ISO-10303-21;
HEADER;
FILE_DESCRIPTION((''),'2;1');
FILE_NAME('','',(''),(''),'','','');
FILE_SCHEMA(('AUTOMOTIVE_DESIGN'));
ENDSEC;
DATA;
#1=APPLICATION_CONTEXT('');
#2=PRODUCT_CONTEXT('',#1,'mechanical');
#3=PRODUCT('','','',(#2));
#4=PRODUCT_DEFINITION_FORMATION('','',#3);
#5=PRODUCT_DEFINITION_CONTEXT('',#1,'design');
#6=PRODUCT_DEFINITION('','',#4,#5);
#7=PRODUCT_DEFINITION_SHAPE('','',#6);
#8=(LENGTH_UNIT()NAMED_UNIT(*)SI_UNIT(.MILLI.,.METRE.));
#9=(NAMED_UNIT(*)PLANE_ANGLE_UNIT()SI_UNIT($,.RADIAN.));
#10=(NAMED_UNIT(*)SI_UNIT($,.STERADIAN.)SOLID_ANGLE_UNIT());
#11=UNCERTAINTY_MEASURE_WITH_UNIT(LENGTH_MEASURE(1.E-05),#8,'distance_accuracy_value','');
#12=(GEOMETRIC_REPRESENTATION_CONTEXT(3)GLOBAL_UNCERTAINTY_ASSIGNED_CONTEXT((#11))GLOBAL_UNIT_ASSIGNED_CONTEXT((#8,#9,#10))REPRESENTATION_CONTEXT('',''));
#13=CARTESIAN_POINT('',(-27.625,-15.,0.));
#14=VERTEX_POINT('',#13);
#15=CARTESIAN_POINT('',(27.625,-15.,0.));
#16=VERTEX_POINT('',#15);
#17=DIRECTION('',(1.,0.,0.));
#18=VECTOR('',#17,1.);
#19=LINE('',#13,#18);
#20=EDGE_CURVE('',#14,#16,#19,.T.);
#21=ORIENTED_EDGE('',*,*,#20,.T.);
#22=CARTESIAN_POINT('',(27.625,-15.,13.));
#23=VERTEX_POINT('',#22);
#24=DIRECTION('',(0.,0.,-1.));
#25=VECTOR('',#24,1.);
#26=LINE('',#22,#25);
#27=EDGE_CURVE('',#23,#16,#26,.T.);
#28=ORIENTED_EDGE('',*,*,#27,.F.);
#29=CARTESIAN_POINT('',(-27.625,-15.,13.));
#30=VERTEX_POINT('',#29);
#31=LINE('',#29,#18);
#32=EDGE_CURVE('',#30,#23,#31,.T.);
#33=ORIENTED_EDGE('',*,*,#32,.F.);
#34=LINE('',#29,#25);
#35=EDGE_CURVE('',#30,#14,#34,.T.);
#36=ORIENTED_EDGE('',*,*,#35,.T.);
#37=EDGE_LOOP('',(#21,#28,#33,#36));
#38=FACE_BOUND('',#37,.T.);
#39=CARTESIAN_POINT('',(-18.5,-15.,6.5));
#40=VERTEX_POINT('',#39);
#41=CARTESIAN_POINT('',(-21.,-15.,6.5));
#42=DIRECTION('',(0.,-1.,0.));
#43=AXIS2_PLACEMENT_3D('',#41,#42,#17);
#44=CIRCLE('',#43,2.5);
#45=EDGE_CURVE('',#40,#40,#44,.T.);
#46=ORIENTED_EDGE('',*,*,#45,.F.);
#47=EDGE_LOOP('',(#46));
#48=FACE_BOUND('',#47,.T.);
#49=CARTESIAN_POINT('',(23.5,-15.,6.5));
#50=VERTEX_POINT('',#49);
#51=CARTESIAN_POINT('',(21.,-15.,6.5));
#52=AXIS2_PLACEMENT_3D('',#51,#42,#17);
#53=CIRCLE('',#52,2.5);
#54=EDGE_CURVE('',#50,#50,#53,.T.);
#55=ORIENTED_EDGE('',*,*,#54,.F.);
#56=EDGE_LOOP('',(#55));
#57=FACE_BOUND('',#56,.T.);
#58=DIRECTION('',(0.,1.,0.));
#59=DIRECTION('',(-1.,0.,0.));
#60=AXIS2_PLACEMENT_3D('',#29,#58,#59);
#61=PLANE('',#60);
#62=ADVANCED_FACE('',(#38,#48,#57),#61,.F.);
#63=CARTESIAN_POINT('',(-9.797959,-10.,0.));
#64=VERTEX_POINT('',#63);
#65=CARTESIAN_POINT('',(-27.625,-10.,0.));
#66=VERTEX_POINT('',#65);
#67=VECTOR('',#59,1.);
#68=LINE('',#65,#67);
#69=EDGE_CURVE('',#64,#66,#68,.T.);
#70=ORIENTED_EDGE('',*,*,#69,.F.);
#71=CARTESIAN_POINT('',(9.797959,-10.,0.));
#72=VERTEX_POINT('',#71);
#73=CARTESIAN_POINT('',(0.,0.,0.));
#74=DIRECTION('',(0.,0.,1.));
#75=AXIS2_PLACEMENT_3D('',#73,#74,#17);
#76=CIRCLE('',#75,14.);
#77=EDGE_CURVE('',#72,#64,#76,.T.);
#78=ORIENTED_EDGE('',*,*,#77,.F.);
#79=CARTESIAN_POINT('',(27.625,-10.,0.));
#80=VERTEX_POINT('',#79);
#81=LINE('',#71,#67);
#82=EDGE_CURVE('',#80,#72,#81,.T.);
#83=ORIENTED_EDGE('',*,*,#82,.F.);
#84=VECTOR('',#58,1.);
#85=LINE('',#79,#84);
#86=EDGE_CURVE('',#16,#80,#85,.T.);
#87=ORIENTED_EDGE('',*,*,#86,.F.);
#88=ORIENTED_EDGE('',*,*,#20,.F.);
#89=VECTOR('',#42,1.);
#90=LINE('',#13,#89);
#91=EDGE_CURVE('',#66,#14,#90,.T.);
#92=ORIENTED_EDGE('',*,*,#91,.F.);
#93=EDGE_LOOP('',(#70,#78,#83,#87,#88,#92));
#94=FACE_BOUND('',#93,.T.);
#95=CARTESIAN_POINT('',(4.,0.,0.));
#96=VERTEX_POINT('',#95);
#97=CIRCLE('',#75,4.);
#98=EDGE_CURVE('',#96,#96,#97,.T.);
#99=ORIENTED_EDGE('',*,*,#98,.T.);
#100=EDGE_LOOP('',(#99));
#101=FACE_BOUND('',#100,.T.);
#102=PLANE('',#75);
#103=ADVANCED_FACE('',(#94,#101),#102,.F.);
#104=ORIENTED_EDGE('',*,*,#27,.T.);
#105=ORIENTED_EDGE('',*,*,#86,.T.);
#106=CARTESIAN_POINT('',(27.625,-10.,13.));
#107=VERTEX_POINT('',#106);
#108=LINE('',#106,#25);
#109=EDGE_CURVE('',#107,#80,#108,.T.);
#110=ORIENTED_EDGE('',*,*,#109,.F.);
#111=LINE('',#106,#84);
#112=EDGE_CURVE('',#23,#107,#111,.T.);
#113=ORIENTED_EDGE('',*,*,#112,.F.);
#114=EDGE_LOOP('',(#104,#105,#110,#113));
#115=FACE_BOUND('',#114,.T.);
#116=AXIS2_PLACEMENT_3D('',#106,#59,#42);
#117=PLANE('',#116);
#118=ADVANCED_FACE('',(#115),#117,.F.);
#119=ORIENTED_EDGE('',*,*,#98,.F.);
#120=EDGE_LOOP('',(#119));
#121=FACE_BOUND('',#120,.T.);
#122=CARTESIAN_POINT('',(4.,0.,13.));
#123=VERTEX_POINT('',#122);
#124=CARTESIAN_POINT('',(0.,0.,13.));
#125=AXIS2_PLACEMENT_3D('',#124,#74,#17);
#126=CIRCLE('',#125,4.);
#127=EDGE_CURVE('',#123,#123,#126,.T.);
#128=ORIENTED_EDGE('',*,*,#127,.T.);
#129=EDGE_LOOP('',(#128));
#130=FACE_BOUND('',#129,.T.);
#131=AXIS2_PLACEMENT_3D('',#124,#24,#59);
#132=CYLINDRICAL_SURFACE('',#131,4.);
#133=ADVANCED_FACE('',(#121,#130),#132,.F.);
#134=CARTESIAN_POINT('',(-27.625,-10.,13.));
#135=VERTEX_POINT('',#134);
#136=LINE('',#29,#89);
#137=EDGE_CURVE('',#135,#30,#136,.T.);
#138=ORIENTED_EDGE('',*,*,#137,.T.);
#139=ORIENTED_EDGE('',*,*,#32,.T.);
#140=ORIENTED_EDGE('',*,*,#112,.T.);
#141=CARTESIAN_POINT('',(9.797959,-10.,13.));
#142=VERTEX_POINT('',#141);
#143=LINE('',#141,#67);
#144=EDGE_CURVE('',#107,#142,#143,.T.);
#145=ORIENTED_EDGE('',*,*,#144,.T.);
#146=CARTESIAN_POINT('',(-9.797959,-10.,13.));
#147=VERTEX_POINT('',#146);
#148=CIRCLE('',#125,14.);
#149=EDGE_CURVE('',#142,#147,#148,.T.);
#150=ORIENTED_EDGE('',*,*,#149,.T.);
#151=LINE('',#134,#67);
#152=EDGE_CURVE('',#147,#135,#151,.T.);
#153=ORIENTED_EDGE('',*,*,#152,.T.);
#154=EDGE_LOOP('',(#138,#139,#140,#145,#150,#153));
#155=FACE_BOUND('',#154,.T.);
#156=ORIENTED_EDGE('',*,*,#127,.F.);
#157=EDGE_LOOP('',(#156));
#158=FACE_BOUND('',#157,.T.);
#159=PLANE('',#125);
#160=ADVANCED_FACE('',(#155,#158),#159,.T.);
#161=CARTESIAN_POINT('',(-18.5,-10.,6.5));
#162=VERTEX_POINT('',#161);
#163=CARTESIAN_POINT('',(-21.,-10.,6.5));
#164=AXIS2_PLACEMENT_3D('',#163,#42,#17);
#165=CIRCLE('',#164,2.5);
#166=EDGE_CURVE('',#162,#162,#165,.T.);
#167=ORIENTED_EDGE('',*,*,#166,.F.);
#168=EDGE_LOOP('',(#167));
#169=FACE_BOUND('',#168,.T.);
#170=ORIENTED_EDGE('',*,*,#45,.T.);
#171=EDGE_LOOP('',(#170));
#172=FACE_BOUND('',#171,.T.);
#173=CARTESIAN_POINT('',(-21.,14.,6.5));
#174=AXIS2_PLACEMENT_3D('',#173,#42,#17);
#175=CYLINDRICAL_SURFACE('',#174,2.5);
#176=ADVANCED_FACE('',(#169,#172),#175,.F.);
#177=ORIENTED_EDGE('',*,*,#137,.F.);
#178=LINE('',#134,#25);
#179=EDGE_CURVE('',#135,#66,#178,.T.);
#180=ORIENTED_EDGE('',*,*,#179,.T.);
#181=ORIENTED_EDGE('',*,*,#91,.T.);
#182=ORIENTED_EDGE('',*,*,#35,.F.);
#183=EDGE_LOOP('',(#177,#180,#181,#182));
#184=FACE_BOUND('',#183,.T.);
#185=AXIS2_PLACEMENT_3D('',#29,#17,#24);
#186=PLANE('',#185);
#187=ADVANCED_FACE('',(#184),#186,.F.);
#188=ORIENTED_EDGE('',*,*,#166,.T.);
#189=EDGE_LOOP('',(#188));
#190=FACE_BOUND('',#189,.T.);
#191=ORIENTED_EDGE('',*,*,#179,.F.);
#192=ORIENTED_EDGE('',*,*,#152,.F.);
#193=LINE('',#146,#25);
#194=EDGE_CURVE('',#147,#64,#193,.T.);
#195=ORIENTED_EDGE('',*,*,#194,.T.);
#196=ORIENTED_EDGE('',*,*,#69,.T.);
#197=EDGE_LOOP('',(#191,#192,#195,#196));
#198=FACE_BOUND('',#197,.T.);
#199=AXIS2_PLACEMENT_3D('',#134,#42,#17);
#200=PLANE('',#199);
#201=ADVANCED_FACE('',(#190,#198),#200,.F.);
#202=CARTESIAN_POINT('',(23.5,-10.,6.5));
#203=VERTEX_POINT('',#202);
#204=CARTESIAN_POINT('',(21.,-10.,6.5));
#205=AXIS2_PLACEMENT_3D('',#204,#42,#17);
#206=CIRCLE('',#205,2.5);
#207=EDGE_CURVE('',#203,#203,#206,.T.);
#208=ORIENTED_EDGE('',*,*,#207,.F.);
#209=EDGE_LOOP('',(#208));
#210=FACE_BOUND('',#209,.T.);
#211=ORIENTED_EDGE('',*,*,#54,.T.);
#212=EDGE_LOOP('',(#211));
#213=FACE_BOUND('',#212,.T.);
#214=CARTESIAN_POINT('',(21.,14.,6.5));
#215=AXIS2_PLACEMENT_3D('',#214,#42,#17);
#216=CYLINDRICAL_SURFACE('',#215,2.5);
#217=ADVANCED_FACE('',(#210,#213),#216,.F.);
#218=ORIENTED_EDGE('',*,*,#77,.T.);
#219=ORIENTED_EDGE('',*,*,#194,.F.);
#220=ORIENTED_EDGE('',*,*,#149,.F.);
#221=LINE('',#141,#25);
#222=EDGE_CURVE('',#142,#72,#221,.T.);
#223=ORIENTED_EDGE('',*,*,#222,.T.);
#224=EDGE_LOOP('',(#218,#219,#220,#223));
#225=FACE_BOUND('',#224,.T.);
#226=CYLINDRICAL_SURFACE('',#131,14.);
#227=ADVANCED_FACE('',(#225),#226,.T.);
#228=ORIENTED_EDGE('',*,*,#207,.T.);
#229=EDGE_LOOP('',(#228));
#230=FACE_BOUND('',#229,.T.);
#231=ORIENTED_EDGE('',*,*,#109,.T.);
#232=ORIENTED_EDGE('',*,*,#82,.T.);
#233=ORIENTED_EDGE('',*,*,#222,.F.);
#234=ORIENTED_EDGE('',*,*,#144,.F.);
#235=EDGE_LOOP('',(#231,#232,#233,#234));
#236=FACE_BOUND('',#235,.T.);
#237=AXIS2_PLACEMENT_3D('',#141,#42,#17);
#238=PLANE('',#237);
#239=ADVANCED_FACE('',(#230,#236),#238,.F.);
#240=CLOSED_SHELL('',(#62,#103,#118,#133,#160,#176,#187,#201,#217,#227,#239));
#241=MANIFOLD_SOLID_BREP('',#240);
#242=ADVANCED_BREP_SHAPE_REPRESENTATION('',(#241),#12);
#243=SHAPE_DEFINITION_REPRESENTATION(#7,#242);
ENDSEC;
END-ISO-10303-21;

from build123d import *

# Parameters (mm, degrees)
SKETCH1_R           = 4
BOSS_EXTRUDE1_DEPTH = 13
SKETCH2_R           = 2.5
CUT_EXTRUDE1_DEPTH  = 30


with BuildPart() as part:
    # Sketch1 → Boss-Extrude1 (new body)
    with BuildSketch(Plane.XY):
        with BuildLine():
            Line((-27.625, -15), (27.625, -15))
            Line((27.625, -15), (27.625, -10))
            Line((27.625, -10), (9.797958971, -10))
            ThreePointArc((9.797958971, -10), (0, 14), (-9.797958971, -10))
            Line((-9.797958971, -10), (-27.625, -10))
            Line((-27.625, -10), (-27.625, -15))
        make_face()
        Circle(SKETCH1_R, mode=Mode.SUBTRACT)
    extrude(amount=BOSS_EXTRUDE1_DEPTH)

    # Sketch2 → Cut-Extrude1 (cut, through all)
    with BuildSketch(Plane.XZ.offset(15)):
        with Locations((-21, 6.5)):
            Circle(SKETCH2_R)
        with Locations((21, 6.5)):
            Circle(SKETCH2_R)
    extrude(amount=-CUT_EXTRUDE1_DEPTH, mode=Mode.SUBTRACT)


solid = part.part
